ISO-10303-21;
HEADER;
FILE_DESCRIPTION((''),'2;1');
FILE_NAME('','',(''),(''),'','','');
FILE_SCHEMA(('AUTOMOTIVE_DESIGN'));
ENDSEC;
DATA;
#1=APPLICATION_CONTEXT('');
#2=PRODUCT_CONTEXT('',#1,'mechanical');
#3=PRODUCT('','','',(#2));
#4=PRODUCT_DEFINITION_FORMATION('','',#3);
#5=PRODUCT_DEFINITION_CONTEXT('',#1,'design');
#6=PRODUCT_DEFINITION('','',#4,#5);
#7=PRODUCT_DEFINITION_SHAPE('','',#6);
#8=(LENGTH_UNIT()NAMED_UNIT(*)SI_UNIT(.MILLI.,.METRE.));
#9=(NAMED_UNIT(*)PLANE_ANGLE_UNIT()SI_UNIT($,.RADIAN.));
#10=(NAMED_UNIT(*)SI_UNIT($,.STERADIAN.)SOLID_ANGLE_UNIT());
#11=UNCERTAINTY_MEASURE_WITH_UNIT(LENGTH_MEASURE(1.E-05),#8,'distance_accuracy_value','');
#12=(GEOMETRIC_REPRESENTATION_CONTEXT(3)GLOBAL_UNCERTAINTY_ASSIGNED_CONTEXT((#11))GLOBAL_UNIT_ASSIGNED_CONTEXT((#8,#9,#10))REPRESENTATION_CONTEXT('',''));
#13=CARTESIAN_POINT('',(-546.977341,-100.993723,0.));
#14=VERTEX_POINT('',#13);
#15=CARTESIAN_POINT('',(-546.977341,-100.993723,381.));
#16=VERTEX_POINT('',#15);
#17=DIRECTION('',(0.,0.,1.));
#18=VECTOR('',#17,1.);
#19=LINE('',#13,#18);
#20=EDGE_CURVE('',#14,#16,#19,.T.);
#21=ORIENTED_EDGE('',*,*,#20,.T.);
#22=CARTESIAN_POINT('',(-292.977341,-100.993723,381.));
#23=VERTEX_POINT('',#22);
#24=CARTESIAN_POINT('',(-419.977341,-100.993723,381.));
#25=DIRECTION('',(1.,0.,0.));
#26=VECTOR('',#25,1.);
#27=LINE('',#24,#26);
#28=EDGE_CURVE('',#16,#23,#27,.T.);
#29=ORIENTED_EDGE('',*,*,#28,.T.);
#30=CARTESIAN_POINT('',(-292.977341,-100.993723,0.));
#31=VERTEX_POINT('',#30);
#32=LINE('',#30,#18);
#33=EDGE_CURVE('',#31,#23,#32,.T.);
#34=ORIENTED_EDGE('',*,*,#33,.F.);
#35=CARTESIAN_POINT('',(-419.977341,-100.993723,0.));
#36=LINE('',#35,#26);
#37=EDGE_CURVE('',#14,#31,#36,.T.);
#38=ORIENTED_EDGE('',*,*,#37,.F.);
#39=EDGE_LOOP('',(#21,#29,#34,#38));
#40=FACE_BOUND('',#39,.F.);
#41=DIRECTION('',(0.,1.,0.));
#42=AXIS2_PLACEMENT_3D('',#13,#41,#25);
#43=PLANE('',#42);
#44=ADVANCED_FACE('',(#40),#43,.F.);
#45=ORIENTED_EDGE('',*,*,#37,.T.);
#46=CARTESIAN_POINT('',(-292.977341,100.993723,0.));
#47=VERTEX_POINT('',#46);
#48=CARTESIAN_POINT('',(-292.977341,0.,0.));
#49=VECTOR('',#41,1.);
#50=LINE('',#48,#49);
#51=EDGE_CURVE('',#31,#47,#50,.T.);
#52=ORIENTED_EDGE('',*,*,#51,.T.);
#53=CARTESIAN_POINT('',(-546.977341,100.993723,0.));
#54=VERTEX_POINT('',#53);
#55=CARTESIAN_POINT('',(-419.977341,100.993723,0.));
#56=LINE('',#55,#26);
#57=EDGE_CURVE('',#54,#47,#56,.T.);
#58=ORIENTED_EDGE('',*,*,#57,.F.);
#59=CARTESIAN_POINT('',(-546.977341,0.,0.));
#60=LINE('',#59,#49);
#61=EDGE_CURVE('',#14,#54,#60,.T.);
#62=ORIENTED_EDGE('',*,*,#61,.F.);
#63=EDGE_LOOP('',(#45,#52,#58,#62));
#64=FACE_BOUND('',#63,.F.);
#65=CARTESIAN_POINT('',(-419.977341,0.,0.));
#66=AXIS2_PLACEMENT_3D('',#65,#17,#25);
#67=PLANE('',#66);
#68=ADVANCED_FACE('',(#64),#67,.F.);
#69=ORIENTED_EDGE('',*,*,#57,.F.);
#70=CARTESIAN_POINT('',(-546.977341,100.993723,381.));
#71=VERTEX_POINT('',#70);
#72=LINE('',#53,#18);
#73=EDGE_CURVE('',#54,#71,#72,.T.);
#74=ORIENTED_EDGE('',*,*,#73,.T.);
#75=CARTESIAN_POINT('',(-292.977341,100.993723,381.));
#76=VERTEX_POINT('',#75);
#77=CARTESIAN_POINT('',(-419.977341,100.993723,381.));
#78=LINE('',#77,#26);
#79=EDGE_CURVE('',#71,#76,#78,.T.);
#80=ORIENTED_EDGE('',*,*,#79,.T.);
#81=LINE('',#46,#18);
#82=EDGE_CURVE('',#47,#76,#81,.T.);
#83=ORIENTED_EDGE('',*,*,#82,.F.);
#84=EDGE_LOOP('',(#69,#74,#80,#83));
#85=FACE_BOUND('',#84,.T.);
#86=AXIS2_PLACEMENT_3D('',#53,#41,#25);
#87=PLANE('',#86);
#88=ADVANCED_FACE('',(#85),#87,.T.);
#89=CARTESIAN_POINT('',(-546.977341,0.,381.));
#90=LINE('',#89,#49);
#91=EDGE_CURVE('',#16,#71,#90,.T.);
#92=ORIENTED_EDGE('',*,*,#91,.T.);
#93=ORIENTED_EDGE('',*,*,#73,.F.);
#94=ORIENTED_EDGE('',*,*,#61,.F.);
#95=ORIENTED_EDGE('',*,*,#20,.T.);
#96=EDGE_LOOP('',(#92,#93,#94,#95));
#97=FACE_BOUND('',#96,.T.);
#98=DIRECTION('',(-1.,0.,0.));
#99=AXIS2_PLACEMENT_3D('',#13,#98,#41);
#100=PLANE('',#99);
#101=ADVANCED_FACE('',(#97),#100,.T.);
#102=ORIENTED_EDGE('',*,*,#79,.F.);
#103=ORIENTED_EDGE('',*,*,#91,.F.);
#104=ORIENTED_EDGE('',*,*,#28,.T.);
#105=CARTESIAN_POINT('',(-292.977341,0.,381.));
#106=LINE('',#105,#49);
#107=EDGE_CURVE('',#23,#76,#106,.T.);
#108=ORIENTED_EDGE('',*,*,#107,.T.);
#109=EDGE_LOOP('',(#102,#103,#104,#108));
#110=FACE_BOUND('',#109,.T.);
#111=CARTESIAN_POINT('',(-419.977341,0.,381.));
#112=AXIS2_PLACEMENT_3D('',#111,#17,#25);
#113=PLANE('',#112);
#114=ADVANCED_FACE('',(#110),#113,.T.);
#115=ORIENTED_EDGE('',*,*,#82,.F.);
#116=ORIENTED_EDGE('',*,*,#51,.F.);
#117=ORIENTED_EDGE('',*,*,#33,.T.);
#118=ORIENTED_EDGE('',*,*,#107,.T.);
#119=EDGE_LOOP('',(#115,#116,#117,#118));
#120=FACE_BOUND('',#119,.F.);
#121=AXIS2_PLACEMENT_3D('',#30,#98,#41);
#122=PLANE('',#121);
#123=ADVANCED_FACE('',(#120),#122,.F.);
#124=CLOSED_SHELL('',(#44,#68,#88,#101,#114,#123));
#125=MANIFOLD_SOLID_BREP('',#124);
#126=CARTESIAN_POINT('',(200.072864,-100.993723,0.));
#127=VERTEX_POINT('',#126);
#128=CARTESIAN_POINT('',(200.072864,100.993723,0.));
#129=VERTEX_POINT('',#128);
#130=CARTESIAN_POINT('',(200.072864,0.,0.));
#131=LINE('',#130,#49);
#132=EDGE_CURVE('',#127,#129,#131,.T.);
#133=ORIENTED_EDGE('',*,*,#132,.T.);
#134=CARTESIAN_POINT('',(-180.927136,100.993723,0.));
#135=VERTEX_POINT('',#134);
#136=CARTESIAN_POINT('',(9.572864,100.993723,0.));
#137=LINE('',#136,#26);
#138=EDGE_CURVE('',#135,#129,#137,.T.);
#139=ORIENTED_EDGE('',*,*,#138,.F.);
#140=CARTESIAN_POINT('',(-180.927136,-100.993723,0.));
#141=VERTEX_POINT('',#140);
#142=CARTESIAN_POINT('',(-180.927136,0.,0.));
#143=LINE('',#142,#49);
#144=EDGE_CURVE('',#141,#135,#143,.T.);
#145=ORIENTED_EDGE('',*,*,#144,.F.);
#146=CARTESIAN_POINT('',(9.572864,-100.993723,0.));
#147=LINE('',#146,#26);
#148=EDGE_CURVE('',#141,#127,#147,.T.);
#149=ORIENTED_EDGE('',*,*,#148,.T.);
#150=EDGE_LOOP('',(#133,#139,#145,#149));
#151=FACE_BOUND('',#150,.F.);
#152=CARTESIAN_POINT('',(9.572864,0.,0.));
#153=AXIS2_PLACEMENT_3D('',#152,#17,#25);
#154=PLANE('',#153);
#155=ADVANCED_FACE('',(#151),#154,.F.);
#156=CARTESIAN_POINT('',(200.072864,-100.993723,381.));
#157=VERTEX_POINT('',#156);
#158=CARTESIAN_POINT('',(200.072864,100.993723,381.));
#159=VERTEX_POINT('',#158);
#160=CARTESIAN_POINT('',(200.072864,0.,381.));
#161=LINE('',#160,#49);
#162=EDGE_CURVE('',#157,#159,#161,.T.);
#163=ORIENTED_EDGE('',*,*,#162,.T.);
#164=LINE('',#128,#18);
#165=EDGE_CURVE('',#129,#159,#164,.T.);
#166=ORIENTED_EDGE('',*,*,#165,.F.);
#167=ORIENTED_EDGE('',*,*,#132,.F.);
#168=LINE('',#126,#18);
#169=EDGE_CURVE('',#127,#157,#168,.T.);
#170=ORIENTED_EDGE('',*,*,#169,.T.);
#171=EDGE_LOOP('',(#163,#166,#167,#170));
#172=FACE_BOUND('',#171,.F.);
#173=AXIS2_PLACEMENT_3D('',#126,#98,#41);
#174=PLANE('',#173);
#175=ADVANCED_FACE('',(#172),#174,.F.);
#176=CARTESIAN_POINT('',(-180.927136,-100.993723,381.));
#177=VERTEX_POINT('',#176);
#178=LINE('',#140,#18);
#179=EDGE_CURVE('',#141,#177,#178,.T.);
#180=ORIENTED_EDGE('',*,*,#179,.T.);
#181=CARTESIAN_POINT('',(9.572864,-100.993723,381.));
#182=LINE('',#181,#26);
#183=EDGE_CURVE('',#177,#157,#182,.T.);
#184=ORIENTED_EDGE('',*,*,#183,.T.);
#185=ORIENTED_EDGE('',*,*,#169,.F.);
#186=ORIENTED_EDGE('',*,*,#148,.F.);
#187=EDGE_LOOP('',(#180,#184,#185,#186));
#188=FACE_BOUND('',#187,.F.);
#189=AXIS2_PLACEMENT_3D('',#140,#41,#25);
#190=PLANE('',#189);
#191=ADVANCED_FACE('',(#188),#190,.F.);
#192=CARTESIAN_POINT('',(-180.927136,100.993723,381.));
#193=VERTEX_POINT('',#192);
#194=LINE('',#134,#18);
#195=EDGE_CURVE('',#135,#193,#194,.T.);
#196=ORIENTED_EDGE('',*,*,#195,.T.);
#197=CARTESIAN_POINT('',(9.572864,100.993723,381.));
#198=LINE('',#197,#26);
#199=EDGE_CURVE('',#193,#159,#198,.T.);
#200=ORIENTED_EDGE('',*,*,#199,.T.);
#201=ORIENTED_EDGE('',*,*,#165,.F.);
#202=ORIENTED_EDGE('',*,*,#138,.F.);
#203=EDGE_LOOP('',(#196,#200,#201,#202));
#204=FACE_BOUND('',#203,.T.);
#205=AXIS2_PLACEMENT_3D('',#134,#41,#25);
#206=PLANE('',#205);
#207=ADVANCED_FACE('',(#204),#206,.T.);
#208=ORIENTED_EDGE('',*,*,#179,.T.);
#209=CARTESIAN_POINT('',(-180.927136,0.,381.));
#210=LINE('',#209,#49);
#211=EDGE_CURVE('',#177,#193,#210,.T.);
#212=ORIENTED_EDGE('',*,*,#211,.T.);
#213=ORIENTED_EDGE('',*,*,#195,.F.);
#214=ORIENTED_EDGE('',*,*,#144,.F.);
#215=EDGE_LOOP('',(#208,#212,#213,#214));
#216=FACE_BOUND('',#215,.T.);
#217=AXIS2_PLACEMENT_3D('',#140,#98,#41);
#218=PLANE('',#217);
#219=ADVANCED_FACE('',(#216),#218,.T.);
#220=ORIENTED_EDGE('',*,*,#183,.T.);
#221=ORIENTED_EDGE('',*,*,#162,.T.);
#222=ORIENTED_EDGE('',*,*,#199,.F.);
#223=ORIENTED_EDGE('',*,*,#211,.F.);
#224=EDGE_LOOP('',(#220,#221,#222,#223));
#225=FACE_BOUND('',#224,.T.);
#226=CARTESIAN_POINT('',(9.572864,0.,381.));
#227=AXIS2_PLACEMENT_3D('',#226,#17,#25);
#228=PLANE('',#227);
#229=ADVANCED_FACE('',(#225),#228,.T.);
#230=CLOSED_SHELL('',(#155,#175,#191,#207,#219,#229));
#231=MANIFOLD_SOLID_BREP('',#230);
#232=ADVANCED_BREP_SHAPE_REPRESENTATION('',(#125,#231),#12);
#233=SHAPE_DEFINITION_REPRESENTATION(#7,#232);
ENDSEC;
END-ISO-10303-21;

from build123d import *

# Parameters (mm, degrees)
F0_W     = 254
F0_H     = 201.987446
F0_W_2   = 381
F1_DEPTH = 381


with BuildPart() as f1:
    # F0 (on Top) → F1 (new body)
    with BuildSketch(Plane.XY):
        with Locations((-419.977341, 0)):
            Rectangle(F0_W, F0_H)
        with Locations((9.572864, 0)):
            Rectangle(F0_W_2, F0_H)
    extrude(amount=F1_DEPTH)


solid = f1.part
